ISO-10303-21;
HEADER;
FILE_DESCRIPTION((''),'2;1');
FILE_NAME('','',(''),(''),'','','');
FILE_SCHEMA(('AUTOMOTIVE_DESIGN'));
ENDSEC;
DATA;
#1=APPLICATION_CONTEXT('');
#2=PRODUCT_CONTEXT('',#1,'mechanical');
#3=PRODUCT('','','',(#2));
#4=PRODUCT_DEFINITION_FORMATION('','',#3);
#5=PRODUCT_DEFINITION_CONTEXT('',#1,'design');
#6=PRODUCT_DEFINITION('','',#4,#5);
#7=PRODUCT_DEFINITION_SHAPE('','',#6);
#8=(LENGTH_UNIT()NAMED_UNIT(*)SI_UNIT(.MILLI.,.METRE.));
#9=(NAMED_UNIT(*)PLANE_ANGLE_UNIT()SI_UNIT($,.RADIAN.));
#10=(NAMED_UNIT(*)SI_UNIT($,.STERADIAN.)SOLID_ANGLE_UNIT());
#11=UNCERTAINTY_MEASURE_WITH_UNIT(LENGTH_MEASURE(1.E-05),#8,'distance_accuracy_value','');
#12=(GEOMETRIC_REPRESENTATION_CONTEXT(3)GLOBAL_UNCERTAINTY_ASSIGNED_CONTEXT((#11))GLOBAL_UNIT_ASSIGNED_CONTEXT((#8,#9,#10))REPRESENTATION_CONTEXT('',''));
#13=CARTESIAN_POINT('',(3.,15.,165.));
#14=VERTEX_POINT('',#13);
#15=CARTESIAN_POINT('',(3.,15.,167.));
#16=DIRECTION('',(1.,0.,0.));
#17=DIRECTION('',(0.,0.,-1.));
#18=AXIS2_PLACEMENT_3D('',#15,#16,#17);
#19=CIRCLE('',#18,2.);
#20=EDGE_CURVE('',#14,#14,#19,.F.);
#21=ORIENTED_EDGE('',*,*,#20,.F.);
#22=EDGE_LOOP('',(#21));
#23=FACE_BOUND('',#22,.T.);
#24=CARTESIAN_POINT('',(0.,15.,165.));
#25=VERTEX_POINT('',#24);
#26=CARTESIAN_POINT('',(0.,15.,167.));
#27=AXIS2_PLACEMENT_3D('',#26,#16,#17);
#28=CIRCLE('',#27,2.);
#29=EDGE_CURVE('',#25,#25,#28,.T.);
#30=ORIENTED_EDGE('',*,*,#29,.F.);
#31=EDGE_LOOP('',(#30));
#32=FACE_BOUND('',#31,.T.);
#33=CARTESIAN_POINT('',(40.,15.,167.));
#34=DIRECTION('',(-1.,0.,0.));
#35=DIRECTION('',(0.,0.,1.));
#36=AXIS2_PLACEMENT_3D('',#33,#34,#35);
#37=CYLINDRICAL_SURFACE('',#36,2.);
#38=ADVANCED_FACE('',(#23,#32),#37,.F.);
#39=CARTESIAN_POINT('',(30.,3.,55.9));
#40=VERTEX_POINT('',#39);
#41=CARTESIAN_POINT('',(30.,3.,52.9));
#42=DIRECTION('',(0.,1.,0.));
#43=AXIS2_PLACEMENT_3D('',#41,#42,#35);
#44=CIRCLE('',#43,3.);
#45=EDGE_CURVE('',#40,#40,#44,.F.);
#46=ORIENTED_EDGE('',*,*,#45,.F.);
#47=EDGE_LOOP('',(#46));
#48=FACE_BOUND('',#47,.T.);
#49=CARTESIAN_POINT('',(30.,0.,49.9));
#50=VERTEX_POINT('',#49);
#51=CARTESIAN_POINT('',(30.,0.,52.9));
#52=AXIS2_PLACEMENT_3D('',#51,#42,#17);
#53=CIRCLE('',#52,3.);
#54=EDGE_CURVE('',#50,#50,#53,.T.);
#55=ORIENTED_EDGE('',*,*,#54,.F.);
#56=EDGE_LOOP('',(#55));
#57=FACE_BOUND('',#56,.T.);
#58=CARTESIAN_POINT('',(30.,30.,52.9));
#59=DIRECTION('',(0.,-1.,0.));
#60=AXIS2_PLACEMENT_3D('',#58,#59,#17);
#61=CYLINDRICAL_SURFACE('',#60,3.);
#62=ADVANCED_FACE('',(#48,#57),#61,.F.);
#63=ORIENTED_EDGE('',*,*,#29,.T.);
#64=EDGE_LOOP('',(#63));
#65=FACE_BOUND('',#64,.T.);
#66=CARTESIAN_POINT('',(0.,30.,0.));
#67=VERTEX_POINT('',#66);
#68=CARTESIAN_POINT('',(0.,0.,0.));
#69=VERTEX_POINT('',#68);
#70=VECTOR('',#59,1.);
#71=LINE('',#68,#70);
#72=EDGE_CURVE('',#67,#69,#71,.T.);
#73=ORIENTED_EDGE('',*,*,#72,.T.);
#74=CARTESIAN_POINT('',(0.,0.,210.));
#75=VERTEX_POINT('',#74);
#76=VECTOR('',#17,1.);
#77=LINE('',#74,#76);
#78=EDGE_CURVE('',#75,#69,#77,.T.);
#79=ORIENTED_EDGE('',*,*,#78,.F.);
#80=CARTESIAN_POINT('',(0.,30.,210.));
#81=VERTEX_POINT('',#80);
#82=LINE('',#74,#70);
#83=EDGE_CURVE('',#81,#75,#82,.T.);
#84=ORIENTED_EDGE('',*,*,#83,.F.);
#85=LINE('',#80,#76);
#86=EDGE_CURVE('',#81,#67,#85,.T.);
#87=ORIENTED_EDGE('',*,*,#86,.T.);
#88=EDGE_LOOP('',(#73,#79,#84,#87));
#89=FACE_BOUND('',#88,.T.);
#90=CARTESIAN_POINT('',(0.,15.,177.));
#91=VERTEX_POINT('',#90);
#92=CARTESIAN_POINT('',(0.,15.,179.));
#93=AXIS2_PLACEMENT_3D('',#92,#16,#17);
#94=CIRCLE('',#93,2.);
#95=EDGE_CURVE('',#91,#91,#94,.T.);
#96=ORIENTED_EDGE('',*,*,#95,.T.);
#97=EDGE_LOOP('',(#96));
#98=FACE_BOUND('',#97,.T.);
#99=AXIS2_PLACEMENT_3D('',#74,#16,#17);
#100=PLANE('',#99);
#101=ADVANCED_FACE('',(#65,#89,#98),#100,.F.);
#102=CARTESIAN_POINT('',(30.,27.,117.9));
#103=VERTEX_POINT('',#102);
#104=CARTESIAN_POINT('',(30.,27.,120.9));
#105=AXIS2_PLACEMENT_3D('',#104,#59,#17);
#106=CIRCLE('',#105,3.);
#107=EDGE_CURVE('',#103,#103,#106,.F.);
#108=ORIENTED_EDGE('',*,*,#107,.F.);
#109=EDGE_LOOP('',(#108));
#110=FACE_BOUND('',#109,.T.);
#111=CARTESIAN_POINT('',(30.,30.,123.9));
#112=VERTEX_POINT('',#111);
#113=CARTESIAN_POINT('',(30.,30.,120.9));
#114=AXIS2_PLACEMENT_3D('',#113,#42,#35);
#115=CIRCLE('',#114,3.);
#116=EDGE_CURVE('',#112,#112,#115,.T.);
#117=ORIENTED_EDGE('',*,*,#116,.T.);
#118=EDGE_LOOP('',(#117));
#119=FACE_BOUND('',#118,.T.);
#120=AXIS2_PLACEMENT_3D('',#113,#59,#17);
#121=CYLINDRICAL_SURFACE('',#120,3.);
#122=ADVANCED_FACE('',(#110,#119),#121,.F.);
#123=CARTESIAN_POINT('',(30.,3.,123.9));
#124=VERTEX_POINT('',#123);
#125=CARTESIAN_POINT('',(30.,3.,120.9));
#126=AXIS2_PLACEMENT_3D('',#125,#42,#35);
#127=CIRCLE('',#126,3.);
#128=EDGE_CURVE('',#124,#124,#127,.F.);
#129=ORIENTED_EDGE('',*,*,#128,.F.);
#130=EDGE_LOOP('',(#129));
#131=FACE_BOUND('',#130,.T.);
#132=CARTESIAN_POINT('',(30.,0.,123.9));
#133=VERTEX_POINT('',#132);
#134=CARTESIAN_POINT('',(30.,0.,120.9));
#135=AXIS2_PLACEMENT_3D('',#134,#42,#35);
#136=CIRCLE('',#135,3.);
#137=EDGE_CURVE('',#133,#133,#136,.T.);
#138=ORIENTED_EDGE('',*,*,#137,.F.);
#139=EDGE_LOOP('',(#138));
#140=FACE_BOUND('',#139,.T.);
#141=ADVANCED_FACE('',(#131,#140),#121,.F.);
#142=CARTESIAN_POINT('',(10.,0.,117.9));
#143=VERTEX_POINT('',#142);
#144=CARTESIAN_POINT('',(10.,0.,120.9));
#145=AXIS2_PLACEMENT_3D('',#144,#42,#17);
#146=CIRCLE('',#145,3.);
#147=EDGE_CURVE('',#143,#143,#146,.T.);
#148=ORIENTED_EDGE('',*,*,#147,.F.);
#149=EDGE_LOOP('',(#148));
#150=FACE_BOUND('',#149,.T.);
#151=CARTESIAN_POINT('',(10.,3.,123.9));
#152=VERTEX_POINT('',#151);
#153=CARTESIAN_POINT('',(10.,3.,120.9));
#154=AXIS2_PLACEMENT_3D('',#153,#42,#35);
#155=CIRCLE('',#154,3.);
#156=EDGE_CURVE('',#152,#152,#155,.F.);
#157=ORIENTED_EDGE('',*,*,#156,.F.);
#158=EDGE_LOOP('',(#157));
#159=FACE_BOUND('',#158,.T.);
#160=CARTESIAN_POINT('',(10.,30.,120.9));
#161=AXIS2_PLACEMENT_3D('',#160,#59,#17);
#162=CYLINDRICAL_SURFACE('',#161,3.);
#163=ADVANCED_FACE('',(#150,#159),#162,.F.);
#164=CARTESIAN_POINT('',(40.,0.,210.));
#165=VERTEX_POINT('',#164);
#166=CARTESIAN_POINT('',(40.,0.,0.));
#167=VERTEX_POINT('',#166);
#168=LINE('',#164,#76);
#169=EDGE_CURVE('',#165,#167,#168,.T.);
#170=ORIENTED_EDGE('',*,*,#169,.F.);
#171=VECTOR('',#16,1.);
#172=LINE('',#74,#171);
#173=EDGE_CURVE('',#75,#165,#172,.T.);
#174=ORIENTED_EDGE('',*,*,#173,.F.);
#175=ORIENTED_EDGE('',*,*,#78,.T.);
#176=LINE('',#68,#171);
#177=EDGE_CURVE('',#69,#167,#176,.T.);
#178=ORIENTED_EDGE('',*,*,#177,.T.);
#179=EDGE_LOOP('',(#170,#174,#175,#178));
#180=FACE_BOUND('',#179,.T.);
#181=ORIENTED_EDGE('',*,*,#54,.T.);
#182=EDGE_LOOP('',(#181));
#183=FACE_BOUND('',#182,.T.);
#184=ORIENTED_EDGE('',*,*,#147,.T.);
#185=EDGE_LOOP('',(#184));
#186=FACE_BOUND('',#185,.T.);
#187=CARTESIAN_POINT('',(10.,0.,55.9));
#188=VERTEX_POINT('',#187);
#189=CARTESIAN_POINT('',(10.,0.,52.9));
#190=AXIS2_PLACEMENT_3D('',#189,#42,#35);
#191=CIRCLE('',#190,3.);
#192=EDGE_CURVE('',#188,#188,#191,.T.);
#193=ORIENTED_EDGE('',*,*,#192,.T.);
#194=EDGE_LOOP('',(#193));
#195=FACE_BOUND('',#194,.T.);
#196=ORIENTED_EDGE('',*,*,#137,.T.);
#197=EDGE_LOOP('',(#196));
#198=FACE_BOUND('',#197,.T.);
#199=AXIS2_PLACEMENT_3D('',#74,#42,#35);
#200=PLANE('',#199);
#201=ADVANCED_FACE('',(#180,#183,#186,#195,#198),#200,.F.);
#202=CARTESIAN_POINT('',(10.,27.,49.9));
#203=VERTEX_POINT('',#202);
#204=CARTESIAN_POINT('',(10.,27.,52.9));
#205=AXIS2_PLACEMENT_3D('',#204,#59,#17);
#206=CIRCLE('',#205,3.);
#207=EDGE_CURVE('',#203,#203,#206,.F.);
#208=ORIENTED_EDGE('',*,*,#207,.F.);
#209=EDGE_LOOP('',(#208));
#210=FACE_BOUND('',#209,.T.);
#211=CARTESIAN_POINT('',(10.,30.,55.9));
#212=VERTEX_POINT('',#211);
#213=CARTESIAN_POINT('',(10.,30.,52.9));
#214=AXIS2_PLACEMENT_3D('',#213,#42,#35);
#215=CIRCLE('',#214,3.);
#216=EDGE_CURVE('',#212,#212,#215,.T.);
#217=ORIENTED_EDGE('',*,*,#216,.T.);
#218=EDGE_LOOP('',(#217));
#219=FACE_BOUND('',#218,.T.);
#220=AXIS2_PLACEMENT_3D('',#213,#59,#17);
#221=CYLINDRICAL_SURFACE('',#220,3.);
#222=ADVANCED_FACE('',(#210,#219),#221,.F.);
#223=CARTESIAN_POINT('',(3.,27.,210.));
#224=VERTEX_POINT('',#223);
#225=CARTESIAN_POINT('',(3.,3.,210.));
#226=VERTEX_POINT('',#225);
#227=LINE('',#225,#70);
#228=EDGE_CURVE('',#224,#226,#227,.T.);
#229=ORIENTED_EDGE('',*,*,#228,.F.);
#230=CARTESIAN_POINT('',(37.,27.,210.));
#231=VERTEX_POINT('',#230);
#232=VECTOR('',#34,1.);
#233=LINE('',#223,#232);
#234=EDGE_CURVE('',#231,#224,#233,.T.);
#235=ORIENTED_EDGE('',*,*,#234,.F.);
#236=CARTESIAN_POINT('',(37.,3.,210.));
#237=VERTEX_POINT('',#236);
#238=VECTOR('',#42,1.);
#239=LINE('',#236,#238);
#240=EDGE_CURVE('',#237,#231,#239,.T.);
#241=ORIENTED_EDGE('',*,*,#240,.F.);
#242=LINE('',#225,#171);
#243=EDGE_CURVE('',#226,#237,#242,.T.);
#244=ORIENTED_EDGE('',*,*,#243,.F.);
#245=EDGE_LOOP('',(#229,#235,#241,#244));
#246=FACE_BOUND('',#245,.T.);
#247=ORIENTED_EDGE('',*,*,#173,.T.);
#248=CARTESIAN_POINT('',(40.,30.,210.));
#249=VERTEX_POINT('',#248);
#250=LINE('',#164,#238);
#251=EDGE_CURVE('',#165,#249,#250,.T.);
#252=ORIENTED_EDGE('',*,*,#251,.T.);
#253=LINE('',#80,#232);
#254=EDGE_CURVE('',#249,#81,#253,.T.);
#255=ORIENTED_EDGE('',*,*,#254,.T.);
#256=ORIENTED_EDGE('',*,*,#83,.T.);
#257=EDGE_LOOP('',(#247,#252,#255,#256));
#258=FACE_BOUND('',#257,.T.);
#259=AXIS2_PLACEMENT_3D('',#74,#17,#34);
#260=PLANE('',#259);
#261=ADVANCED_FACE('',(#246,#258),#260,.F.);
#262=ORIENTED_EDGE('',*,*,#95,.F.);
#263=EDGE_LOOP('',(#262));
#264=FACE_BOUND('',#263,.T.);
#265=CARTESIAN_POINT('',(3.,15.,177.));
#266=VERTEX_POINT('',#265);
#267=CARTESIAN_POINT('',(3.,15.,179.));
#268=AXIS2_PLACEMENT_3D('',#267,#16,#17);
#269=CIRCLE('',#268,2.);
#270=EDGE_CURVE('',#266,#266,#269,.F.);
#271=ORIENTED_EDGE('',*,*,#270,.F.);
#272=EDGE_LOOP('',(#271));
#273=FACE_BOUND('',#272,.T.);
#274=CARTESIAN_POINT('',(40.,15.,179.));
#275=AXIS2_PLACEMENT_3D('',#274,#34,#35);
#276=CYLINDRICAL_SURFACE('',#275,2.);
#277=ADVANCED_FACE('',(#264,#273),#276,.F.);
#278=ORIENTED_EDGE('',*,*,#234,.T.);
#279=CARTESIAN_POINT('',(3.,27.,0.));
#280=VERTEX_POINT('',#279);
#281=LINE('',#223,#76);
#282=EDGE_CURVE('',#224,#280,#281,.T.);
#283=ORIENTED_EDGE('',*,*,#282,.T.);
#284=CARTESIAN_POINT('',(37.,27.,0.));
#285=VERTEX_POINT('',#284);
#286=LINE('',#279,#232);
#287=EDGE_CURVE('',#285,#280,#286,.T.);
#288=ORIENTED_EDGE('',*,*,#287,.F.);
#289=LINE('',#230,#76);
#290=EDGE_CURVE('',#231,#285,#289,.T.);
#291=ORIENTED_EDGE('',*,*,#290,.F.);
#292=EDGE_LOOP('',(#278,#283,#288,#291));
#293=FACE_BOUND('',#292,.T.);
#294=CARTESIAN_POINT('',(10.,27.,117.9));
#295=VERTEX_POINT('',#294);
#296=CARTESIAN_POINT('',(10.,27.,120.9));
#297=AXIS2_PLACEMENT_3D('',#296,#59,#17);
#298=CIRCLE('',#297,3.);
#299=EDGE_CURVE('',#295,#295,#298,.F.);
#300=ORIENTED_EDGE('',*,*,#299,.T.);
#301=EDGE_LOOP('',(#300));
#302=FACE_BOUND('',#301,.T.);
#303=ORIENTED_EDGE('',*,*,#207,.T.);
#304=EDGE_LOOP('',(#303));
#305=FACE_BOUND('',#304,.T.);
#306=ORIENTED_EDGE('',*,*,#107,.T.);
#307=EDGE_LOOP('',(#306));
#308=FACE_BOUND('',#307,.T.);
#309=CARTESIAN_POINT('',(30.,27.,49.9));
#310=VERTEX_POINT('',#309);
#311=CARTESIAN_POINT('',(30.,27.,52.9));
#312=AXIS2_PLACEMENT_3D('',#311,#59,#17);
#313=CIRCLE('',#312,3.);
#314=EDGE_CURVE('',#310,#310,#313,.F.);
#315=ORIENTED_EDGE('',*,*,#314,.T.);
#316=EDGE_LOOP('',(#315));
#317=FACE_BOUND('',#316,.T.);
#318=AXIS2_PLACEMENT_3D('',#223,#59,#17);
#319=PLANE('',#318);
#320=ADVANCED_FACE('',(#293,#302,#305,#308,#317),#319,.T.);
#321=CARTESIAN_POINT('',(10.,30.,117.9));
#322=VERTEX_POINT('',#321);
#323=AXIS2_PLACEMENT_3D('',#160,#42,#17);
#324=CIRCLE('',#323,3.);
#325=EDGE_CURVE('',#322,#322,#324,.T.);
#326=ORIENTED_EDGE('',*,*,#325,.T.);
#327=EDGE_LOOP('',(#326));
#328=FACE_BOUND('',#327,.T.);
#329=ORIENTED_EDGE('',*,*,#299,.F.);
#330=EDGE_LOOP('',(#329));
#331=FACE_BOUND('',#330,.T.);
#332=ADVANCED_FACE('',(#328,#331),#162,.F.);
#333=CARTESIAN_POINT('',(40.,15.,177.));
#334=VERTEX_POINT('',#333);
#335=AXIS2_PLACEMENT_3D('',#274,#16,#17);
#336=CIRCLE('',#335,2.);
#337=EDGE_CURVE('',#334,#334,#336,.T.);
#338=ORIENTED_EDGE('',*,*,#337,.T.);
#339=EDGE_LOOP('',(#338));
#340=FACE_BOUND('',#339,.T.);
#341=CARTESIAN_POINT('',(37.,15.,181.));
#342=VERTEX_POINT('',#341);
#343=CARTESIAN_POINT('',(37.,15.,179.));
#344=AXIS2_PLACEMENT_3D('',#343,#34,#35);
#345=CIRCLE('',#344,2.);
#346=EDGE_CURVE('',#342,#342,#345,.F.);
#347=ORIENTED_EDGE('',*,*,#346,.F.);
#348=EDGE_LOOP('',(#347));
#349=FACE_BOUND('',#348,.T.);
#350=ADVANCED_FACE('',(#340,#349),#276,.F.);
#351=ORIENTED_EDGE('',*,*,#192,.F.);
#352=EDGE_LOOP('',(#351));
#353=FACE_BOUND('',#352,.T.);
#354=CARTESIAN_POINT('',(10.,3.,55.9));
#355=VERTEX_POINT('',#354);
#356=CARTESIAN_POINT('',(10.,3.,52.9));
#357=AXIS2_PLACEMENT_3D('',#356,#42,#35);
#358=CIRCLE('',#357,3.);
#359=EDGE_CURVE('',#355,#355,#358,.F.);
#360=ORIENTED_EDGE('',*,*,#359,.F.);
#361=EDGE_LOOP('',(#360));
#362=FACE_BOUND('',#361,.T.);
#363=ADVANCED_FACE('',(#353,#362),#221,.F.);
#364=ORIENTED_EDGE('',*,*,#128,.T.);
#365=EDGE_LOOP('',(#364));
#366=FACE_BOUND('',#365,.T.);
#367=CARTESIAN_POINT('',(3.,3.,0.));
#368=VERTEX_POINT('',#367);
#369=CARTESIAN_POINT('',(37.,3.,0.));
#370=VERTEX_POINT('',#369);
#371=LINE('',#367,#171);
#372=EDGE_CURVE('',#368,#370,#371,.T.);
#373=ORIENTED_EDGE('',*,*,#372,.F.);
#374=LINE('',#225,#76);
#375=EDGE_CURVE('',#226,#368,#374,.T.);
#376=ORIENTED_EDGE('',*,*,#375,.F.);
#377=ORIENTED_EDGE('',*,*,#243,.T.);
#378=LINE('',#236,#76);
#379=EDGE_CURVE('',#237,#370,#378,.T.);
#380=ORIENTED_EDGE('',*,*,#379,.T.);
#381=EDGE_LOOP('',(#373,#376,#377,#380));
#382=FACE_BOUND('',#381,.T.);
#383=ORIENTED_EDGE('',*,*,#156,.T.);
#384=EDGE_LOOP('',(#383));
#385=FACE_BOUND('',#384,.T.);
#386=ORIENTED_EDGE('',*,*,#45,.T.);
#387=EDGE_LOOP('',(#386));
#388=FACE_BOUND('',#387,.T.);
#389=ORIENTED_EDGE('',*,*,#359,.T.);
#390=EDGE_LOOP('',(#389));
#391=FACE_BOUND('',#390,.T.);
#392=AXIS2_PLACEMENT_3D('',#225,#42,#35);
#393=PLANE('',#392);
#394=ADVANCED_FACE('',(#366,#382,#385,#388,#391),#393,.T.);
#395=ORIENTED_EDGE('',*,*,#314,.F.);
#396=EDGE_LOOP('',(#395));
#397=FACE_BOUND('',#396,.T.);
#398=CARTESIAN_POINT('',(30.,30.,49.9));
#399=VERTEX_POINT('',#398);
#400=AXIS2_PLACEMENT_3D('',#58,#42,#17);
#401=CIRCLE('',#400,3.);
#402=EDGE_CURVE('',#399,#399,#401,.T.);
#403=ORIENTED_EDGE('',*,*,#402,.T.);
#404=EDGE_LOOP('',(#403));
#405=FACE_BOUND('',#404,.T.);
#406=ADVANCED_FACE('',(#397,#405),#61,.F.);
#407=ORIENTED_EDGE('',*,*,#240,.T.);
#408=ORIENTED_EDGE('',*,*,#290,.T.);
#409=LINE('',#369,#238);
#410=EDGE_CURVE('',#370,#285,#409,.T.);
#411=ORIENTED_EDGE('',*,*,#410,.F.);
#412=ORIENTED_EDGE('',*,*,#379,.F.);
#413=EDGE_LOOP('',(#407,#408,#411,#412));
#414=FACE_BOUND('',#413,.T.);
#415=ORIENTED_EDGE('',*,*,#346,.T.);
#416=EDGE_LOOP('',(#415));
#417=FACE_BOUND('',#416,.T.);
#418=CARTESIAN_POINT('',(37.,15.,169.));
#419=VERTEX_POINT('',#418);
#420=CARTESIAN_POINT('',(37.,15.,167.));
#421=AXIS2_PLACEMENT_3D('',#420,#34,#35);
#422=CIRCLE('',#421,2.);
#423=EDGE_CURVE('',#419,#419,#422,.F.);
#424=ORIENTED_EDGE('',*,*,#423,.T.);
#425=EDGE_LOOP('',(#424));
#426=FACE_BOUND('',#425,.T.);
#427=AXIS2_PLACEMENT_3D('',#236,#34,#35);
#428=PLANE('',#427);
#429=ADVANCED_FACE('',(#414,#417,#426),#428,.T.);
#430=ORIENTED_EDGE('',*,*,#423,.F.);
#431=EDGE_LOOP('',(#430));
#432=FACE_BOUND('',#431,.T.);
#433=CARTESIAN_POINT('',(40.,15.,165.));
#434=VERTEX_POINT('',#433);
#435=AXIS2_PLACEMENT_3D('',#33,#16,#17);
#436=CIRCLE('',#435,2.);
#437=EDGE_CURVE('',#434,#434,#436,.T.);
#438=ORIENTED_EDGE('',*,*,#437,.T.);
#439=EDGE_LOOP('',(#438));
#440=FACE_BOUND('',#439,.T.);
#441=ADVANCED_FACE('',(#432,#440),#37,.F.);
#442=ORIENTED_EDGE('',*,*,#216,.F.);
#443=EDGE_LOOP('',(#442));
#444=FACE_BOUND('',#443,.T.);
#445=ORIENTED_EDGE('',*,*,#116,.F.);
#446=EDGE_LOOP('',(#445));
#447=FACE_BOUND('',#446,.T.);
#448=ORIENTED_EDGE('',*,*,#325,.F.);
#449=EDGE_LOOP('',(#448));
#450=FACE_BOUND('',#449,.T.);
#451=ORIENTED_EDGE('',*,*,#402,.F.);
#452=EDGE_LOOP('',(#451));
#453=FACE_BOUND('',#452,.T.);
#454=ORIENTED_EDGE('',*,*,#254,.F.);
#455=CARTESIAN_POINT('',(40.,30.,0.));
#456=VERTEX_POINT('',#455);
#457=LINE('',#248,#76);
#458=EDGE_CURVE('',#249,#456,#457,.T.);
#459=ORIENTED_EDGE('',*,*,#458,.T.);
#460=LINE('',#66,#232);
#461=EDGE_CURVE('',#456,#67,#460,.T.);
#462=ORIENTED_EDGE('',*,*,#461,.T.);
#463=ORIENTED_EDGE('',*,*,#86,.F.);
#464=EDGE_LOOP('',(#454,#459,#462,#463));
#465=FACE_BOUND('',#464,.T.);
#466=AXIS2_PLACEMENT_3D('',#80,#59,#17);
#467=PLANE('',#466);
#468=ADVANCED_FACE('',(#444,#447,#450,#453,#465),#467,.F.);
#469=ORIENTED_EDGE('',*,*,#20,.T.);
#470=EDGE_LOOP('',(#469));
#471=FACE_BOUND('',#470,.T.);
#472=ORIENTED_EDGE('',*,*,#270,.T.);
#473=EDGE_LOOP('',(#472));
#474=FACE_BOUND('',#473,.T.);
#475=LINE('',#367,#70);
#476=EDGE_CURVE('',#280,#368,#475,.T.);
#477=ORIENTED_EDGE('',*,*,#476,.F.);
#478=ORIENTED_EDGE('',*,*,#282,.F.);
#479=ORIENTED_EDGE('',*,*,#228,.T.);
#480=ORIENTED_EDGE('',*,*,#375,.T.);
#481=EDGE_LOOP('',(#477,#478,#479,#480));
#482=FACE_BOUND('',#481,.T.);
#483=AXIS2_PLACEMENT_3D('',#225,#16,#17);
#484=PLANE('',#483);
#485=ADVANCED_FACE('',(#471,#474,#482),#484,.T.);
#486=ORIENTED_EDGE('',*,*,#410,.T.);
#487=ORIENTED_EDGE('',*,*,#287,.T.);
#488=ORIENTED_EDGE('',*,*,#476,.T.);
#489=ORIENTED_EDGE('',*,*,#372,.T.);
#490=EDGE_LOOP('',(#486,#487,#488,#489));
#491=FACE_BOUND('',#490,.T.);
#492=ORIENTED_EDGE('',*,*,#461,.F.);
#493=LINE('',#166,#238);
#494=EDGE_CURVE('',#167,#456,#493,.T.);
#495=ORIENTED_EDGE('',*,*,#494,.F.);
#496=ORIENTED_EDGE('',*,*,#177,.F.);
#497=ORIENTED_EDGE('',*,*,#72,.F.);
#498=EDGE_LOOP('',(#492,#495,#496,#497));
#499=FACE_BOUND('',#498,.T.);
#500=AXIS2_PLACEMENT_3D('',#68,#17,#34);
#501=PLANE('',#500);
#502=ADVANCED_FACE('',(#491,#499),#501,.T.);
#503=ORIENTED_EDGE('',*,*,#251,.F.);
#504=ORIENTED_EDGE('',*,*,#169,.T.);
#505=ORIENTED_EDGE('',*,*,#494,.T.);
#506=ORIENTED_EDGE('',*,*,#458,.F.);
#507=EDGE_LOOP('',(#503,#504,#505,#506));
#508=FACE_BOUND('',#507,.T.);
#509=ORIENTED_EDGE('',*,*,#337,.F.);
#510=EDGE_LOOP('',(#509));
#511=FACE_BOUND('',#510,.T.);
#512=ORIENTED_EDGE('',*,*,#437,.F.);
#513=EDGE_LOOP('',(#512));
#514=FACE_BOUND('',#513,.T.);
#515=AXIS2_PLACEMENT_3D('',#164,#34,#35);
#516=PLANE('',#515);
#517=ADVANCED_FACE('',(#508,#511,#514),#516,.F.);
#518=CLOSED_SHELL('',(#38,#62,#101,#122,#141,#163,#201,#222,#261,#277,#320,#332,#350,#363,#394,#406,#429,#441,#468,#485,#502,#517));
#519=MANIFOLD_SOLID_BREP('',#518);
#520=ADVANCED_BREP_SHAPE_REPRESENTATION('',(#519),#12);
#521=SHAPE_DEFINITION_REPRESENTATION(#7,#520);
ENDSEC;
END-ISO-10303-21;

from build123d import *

# Parameters (mm, degrees)
SKETCH_1_W          = 40
SKETCH_1_H          = 30
SKETCH_1_W_2        = 34
SKETCH_1_H_2        = 24
EXTRUDE_1_DEPTH     = 210
SKETCH_2_R          = 2
CUT_EXTRUDE_1_DEPTH = 216.870331449
SKETCH_3_R          = 3
CUT_EXTRUDE_2_DEPTH = 216.870331449


with BuildPart() as part:
    # 草图1 → 凸台-拉伸1 (new body)
    with BuildSketch(Plane.XY):
        with Locations((20, 15)):
            Rectangle(SKETCH_1_W, SKETCH_1_H)
        with Locations((20, 15)):
            Rectangle(SKETCH_1_W_2, SKETCH_1_H_2, mode=Mode.SUBTRACT)
    extrude(amount=EXTRUDE_1_DEPTH)

    # 草图2 → 切除-拉伸1 (cut, through all)
    with BuildSketch(Plane(origin=(0, 0, 0), x_dir=(0, 0, -1), z_dir=(1, 0, 0))):
        with Locations(Location((-167, 15, 0), (0, 0, 180))):
            Circle(SKETCH_2_R)
        with Locations(Location((-179, 15, 0), (0, 0, 180))):
            Circle(SKETCH_2_R)
    extrude(amount=CUT_EXTRUDE_1_DEPTH, mode=Mode.SUBTRACT)

    # 草图3 → 切除-拉伸2 (cut, through all)
    with BuildSketch(Plane(origin=(0, 0, 0), x_dir=(1, 0, 0), z_dir=(0, 1, 0))):
        with Locations(Location((10, -52.9, 0), (0, 0, 90))):
            Circle(SKETCH_3_R)
        with Locations(Location((30, -52.9, 0), (0, 0, 90))):
            Circle(SKETCH_3_R)
        with Locations(Location((30, -120.9, 0), (0, 0, 90))):
            Circle(SKETCH_3_R)
        with Locations(Location((10, -120.9, 0), (0, 0, 90))):
            Circle(SKETCH_3_R)
    extrude(amount=CUT_EXTRUDE_2_DEPTH, mode=Mode.SUBTRACT)


solid = part.part
